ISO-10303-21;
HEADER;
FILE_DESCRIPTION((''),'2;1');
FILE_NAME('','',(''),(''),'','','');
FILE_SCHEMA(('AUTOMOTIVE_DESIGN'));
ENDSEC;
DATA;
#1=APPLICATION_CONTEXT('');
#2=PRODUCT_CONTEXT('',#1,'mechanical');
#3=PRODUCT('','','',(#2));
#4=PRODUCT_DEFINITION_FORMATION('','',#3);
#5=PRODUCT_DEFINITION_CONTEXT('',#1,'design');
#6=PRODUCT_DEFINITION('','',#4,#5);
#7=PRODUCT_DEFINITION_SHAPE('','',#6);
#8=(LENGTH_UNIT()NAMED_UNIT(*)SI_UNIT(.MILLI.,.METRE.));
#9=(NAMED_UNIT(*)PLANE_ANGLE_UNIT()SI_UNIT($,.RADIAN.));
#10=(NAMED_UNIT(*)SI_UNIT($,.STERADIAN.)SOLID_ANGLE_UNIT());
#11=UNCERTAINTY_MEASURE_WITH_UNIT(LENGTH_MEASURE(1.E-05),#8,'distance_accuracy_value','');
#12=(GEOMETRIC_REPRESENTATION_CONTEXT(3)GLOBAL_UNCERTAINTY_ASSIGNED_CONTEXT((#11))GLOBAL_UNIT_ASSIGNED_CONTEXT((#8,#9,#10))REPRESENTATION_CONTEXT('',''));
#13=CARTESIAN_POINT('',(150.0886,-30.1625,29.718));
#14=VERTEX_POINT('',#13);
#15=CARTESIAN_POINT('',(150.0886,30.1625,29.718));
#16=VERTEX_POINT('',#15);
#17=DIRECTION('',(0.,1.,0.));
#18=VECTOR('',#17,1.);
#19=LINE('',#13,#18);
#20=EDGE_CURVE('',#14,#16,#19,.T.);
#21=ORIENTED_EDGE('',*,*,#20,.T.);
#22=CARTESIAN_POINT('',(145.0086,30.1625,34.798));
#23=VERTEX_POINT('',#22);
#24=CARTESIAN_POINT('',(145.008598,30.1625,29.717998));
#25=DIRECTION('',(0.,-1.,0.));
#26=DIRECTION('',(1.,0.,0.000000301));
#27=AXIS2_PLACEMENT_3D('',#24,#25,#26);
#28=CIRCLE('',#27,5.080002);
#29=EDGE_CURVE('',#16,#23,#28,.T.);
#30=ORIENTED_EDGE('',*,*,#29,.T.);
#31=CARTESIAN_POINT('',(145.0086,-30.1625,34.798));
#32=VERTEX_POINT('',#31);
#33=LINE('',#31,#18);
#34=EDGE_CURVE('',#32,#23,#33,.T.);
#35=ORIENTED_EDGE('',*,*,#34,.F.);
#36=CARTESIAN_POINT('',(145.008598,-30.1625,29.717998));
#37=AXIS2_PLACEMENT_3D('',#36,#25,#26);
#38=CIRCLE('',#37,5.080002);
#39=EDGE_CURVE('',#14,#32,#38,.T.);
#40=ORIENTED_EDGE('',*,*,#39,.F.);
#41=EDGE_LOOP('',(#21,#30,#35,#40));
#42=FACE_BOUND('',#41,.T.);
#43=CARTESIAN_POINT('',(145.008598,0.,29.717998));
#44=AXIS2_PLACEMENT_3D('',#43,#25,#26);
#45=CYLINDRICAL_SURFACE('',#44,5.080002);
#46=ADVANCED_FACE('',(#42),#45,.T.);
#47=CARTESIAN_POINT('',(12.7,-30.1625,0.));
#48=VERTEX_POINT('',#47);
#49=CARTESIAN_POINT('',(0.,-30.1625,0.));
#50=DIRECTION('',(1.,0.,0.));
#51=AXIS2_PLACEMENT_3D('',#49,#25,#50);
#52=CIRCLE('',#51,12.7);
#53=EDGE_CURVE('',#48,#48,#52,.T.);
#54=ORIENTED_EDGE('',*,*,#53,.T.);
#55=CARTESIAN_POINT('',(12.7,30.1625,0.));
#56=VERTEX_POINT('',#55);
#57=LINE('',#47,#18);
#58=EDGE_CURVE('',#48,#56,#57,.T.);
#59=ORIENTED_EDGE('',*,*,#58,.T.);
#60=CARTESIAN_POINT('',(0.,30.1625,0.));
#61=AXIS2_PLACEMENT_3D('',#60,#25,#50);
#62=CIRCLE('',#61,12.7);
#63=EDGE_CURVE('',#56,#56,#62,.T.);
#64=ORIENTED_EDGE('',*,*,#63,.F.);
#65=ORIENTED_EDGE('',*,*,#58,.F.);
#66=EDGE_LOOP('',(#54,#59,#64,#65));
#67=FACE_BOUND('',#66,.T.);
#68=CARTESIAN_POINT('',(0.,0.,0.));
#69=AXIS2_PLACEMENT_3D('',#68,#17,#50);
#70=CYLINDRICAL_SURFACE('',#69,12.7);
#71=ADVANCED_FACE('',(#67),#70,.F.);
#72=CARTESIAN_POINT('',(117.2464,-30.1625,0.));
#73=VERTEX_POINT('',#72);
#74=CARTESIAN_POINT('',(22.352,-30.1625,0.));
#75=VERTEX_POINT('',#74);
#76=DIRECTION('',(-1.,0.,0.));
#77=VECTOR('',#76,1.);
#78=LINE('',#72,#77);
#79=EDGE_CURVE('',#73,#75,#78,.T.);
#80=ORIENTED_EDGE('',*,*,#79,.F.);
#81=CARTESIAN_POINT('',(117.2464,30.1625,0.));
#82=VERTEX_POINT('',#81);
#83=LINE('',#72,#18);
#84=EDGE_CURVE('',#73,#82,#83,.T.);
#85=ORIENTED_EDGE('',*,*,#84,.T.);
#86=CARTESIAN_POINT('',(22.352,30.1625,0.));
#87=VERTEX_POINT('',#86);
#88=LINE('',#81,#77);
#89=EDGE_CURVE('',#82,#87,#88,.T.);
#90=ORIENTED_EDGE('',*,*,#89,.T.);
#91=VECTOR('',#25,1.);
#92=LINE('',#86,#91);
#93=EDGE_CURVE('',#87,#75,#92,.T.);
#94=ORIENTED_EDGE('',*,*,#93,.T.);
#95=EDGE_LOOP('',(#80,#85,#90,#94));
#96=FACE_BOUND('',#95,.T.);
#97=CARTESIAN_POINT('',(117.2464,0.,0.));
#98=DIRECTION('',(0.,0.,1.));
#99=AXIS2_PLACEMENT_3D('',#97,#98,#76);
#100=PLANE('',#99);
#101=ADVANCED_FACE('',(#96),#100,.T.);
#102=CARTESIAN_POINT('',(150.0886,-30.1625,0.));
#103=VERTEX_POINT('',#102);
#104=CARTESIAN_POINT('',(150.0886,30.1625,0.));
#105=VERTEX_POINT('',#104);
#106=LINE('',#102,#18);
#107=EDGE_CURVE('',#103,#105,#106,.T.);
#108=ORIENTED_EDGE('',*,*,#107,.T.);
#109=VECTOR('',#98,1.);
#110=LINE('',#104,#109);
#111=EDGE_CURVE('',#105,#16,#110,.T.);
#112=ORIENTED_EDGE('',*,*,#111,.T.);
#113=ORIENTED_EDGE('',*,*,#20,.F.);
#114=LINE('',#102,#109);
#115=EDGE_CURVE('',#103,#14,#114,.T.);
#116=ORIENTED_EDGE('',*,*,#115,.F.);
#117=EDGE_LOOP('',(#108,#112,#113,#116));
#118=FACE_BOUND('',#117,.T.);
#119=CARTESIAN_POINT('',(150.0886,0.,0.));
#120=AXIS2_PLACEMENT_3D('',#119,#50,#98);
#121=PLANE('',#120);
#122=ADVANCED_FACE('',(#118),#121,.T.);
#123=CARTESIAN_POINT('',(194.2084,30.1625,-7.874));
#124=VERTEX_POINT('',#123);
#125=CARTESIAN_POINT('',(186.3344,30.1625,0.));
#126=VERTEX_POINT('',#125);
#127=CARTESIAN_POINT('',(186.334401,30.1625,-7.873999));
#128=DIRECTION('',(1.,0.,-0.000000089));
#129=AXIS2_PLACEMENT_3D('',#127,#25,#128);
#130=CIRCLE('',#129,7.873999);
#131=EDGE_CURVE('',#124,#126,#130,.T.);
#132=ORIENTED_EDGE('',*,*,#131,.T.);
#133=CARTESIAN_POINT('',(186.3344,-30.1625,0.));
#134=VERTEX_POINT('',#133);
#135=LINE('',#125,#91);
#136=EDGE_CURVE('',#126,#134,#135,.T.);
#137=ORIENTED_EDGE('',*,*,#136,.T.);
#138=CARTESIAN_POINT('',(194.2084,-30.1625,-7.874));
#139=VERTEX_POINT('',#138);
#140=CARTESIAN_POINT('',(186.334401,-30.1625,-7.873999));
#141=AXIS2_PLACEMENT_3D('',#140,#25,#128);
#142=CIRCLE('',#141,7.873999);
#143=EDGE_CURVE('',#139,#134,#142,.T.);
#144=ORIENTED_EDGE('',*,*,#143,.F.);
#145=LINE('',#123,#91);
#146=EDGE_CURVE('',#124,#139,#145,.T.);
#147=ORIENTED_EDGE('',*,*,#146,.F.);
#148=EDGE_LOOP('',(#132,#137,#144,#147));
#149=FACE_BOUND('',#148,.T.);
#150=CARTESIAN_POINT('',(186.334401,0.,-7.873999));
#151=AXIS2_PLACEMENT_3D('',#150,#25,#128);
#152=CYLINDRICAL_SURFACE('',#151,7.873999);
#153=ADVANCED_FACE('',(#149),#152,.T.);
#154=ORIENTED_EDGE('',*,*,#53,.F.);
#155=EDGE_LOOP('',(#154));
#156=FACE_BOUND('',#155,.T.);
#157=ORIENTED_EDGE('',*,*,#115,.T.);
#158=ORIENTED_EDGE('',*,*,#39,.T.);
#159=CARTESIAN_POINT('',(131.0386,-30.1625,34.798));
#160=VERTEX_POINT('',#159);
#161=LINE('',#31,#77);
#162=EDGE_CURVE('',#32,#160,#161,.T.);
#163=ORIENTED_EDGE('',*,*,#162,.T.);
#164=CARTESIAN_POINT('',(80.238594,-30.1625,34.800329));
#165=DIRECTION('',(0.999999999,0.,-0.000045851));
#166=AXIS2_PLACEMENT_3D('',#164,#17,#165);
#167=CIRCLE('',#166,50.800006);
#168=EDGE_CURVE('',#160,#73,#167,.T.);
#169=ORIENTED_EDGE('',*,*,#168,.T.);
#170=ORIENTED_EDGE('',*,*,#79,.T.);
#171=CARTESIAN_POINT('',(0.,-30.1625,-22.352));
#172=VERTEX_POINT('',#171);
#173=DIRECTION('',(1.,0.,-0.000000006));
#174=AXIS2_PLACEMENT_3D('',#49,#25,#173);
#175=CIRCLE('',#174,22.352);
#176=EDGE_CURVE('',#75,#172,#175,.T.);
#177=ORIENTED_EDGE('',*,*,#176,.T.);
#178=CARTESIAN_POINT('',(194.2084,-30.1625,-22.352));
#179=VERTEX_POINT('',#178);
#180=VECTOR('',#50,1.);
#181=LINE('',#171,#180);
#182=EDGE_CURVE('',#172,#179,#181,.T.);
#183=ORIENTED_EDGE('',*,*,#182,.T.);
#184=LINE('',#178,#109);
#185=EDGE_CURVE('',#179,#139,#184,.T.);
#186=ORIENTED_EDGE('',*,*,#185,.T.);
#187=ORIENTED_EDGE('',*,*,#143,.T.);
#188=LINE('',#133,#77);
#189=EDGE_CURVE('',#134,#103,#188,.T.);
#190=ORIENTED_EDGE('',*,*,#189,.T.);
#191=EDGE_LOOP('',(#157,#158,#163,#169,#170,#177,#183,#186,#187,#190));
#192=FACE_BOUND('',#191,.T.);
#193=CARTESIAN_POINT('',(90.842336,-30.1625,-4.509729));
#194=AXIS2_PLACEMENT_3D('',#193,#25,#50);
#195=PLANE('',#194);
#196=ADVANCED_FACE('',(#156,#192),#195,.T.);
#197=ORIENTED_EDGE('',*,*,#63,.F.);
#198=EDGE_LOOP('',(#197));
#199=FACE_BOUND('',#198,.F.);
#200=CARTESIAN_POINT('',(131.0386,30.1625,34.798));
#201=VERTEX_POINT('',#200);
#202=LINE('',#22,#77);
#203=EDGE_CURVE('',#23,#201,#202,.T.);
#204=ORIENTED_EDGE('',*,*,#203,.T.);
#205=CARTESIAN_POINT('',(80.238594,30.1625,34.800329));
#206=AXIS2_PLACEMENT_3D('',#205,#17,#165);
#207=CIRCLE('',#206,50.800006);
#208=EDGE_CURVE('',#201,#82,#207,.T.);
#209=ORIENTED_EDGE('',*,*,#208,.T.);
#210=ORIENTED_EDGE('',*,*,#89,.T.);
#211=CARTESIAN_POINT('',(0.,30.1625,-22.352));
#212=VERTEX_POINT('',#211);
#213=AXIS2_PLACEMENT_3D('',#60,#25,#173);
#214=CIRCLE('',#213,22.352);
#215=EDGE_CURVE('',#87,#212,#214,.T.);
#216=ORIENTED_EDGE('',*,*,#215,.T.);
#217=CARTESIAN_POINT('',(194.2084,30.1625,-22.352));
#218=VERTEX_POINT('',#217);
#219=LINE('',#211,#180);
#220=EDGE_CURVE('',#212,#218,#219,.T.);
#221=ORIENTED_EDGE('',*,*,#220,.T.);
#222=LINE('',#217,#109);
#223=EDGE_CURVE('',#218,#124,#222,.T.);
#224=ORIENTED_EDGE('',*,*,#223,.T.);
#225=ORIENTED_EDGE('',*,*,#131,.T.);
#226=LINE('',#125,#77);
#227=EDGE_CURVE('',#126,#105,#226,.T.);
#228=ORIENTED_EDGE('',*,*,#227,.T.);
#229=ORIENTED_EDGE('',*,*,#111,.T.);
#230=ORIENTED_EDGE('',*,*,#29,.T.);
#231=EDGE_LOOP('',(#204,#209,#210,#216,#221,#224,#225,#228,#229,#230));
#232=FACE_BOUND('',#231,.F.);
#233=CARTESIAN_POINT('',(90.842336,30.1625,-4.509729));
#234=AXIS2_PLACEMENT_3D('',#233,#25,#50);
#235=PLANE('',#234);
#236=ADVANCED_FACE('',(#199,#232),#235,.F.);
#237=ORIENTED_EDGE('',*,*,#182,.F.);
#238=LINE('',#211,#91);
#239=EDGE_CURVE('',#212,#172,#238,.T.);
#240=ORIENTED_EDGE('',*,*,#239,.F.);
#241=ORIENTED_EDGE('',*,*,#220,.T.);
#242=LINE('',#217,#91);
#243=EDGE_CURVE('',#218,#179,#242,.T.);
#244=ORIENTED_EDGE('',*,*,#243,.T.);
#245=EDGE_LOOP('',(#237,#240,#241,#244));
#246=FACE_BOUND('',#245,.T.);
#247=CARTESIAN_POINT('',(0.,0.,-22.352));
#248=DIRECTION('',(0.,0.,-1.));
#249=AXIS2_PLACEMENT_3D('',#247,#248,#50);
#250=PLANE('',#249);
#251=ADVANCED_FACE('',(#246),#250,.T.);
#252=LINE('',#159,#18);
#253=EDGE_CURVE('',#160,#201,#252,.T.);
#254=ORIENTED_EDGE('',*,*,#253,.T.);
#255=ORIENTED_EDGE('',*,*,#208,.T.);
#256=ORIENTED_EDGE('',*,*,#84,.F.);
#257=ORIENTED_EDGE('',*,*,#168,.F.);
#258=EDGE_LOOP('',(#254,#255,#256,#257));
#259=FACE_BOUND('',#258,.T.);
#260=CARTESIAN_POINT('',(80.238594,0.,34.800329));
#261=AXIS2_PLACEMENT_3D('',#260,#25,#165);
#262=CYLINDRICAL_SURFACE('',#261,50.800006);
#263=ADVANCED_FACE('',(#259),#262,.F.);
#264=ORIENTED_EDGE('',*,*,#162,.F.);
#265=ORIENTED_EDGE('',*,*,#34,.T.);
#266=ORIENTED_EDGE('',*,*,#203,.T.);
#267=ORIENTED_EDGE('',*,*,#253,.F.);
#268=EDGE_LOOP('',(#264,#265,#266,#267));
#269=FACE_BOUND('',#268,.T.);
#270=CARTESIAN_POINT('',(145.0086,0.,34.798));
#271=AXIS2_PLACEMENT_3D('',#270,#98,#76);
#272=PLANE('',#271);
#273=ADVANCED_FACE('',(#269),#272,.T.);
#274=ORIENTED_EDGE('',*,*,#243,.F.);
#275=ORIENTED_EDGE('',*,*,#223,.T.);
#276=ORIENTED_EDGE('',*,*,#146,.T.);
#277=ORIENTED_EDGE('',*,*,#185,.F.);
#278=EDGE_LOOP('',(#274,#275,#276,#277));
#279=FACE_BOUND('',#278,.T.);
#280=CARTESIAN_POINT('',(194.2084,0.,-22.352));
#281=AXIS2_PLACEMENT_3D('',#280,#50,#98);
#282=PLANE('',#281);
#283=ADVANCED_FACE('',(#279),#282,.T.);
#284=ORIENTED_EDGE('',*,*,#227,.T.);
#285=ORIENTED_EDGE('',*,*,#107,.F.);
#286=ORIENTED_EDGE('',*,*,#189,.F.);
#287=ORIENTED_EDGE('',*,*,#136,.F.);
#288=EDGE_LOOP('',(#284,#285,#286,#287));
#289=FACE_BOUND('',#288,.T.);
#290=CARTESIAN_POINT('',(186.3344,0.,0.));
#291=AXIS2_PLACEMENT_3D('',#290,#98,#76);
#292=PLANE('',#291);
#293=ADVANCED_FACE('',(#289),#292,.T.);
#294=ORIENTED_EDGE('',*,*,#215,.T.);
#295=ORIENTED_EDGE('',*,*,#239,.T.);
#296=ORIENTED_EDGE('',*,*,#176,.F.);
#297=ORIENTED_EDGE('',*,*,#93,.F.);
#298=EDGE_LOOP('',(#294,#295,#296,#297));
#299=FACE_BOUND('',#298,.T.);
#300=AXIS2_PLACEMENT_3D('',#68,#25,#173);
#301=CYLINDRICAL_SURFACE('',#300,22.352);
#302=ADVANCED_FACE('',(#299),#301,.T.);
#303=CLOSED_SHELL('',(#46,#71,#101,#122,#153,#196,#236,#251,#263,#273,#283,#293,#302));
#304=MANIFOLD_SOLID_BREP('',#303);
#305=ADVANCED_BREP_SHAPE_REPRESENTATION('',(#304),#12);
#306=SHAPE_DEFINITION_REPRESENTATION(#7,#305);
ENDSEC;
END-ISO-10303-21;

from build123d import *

# Parameters (mm, degrees)
F0_R     = 12.7
F1_DEPTH = 30.1625


with BuildPart() as f1:
    # F0 (on Front) → F1 (new body, symmetric)
    with BuildSketch(Plane.XZ):
        with BuildLine():
            Line((117.2464, 0), (22.352, 0))
            ThreePointArc((22.352, 0), (-15.805251, 15.805251), (0, -22.352))
            Line((0, -22.352), (194.2084, -22.352))
            Line((194.2084, -22.352), (194.2084, -7.874))
            ThreePointArc((194.2084, -7.874), (191.902159, -2.306241), (186.3344, 0))
            Line((186.3344, 0), (150.0886, 0))
            Line((150.0886, 0), (150.0886, 29.718))
            ThreePointArc((150.0886, 29.718), (148.600702, 33.310102), (145.0086, 34.798))
            Line((145.0086, 34.798), (131.0386, 34.798))
            ThreePointArc((131.0386, 34.798), (127.464415, 16.082358), (117.2464, 0))
        make_face()
        Circle(F0_R, mode=Mode.SUBTRACT)
    extrude(amount=F1_DEPTH, both=True)


solid = f1.part
